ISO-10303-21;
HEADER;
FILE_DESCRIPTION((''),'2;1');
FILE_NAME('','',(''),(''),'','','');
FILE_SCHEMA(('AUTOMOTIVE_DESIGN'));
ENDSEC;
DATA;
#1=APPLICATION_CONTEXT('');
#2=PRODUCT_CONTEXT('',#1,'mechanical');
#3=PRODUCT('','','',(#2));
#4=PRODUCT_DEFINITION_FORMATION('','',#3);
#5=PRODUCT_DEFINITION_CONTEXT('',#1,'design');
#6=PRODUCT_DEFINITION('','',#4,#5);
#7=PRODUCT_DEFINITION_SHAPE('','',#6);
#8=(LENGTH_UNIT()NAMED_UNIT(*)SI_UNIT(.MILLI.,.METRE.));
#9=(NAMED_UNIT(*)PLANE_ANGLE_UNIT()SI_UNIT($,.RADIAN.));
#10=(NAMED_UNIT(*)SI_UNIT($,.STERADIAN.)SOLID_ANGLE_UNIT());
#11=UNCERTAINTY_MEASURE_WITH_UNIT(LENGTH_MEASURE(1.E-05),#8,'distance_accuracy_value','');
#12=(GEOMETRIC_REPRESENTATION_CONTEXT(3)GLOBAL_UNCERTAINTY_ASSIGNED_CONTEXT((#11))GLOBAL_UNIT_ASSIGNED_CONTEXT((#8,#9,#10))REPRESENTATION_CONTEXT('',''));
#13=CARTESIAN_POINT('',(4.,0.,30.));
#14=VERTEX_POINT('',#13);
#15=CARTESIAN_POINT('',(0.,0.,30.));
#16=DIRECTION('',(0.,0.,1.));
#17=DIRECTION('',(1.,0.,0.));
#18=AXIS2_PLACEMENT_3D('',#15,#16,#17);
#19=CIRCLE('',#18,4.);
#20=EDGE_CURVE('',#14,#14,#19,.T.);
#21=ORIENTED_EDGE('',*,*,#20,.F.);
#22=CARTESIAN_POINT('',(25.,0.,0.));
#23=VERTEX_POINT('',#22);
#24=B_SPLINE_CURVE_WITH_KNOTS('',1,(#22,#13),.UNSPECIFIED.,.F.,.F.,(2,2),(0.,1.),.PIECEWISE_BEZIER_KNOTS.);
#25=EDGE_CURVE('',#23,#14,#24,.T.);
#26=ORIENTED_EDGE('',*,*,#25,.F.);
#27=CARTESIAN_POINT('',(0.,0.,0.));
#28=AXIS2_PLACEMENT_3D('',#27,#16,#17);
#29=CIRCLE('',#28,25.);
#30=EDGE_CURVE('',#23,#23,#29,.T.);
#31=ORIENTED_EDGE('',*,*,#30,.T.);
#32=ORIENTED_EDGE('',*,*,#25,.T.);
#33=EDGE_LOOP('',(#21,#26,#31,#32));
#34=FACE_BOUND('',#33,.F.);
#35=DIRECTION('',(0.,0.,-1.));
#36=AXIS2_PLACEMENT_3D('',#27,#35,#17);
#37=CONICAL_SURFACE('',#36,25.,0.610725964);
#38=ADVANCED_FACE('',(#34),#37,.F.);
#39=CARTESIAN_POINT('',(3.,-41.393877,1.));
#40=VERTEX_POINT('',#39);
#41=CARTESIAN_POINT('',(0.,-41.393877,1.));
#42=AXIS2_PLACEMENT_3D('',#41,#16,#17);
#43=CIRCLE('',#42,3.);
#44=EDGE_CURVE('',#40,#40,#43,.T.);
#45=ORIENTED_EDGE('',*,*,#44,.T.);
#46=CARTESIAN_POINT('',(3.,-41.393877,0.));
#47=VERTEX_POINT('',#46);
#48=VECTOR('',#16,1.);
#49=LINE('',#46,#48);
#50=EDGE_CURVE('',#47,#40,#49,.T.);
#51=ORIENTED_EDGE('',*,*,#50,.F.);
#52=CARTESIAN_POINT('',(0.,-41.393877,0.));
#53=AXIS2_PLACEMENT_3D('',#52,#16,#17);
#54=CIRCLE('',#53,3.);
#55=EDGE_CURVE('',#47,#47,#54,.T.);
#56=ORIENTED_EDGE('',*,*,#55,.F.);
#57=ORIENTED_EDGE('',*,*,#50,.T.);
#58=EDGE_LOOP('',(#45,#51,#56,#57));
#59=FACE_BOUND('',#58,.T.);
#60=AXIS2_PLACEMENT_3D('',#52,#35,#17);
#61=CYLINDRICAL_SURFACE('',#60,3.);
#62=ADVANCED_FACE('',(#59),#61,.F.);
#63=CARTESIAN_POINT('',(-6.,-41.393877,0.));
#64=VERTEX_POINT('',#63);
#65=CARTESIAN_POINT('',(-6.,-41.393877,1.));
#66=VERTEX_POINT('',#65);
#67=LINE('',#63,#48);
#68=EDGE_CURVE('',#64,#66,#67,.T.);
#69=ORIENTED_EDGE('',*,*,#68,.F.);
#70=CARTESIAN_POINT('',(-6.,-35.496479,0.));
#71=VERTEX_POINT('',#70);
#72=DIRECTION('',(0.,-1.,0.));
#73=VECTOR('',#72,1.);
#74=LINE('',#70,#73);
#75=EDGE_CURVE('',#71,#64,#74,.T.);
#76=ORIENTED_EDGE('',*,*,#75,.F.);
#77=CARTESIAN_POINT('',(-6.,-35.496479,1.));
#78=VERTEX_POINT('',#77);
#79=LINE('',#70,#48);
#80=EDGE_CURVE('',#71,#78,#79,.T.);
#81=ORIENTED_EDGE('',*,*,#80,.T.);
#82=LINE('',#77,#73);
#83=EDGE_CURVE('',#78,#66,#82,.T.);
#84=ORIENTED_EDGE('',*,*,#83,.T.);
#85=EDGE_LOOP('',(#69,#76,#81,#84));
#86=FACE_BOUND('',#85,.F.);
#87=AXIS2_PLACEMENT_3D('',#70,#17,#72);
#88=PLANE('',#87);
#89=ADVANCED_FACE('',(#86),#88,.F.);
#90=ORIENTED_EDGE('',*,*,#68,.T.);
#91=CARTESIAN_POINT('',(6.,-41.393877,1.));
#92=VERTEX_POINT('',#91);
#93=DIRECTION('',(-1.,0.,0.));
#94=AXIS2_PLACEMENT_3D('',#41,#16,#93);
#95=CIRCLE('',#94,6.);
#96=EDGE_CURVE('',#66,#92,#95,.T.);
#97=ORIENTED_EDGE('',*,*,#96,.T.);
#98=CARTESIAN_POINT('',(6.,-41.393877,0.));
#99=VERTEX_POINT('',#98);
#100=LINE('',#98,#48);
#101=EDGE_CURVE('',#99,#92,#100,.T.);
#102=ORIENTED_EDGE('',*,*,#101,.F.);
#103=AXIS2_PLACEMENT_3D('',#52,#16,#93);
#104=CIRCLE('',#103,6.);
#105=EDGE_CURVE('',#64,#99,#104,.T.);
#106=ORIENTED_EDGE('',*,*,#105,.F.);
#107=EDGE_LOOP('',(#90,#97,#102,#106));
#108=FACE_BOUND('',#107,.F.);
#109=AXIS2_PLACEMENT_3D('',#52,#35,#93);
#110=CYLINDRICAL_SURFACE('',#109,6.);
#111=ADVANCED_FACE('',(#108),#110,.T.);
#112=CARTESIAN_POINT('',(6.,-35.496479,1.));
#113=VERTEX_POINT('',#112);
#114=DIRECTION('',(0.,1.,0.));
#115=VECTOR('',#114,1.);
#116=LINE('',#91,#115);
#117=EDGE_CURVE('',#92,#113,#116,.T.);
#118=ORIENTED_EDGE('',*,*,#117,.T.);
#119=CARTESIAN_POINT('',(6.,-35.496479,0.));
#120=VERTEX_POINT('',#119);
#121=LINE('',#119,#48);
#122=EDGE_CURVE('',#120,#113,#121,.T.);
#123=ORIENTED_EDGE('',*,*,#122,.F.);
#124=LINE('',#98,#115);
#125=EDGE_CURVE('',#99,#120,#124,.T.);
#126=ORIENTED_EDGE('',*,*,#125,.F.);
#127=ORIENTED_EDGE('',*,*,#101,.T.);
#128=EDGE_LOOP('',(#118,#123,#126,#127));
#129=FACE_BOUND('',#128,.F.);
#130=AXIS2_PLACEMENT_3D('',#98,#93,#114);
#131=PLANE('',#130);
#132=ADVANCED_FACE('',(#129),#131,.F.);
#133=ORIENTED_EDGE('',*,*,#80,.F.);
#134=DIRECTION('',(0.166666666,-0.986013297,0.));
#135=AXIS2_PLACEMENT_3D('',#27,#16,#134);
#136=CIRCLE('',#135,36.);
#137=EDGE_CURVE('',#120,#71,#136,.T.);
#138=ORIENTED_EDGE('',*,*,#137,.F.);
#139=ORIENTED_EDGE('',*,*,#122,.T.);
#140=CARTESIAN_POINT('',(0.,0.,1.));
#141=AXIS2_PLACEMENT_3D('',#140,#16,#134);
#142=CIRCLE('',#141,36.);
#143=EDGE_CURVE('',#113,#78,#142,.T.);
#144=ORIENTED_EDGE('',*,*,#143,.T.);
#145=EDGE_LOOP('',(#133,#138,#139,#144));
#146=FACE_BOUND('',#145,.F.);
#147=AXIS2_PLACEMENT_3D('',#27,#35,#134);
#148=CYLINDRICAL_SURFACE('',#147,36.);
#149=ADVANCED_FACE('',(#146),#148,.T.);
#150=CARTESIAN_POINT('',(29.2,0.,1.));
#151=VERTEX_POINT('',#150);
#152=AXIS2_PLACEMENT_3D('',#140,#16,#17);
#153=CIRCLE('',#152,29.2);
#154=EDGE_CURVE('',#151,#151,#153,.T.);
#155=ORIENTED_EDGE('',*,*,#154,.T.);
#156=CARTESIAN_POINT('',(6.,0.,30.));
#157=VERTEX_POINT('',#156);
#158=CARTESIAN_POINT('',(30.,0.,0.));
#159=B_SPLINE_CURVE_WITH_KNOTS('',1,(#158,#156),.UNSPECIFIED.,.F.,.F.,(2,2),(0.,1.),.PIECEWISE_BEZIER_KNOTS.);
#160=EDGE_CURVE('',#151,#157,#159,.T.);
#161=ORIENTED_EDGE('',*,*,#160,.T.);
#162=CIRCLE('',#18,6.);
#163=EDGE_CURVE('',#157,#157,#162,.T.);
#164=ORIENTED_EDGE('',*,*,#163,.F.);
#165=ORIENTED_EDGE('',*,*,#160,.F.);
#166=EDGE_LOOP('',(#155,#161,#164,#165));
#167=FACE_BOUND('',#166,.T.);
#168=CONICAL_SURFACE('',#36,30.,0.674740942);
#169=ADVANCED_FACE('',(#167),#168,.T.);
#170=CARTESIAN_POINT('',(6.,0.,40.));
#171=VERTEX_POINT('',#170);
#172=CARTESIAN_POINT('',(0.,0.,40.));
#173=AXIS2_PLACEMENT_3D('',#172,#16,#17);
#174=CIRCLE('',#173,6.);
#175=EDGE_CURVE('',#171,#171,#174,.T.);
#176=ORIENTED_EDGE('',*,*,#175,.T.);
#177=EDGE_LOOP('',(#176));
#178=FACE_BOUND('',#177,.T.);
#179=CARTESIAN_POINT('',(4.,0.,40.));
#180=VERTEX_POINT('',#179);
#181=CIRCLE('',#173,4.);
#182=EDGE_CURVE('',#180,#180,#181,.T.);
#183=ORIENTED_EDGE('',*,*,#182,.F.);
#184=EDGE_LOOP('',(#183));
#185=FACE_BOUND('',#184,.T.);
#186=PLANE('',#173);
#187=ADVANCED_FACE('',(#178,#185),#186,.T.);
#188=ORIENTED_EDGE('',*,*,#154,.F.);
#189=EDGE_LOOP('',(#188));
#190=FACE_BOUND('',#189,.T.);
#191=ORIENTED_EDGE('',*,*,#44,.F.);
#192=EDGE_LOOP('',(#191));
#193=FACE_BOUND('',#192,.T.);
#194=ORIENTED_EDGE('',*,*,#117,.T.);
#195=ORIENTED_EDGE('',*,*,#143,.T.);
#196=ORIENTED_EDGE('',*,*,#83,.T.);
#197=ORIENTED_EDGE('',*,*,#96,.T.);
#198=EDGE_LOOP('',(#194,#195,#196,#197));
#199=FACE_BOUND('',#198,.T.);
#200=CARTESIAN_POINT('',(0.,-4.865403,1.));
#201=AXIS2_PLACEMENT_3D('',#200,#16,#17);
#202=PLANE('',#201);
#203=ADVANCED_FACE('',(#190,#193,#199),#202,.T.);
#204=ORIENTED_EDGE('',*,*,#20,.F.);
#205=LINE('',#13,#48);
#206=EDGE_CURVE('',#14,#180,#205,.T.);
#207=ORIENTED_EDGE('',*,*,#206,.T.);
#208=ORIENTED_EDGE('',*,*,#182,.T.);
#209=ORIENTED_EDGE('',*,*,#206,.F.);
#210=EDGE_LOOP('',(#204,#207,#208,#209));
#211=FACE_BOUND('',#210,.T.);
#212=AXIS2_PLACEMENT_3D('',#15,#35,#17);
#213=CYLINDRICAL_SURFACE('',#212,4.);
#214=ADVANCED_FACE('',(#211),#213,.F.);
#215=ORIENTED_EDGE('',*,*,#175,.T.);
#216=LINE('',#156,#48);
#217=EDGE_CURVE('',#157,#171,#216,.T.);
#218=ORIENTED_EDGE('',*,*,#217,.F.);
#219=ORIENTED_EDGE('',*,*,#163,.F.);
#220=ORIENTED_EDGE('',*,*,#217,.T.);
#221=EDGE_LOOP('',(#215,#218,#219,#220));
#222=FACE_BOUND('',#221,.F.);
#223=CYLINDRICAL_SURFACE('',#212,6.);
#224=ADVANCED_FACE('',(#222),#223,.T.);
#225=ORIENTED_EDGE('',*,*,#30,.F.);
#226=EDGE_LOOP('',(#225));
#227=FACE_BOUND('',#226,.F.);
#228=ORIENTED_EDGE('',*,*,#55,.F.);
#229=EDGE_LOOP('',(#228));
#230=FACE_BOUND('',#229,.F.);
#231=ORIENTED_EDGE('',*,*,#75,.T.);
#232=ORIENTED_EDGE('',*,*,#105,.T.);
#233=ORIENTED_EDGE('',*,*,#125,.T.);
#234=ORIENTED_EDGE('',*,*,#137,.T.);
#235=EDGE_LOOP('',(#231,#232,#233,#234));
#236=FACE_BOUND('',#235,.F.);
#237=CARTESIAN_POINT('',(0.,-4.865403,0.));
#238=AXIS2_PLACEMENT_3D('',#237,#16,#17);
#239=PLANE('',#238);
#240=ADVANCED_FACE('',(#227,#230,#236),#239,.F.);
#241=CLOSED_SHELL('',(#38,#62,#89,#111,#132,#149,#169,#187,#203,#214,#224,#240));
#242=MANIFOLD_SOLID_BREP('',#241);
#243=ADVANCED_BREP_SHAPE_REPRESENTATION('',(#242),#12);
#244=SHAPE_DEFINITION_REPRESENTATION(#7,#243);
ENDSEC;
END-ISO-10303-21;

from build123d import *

# Parameters (mm, degrees)
F0_R      = 30
F2_R      = 6
F4_R      = 25
F5_R      = 4
F7_R      = 6
F7_R_2    = 4
F8_DEPTH  = 10
F9_R      = 3
F9_R_2    = 27
F10_DEPTH = 1


with BuildPart() as f3:
    # F0 (on Top) → F3 section 0
    with BuildSketch(Plane.XY):
        Circle(F0_R)
    # F2 (on offset) → F3 section 1
    with BuildSketch(Plane.XY.offset(30)):
        Circle(F2_R)
    loft()

    # F4 (on Top) → F6 section 0
    with BuildSketch(Plane.XY):
        Circle(F4_R)
    # F5 (on offset) → F6 section 1
    with BuildSketch(Plane.XY.offset(30)):
        Circle(F5_R)
    loft(mode=Mode.SUBTRACT)

    # F7 (on face) → F8 (join)
    with BuildSketch(Plane.XY.offset(30)):
        Circle(F7_R)
        Circle(F7_R_2, mode=Mode.SUBTRACT)
    extrude(amount=F8_DEPTH)

    # F9 (on Top) → F10 (join)
    with BuildSketch(Plane.XY):
        with BuildLine():
            ThreePointArc((6, -35.496479), (0, 36), (-6, -35.496479))
            Line((-6, -35.496479), (-6, -41.393877))
            ThreePointArc((-6, -41.393877), (0, -47.393877), (6, -41.393877))
            Line((6, -41.393877), (6, -35.496479))
        make_face()
        with Locations((0, -41.393877)):
            Circle(F9_R, mode=Mode.SUBTRACT)
        Circle(F9_R_2, mode=Mode.SUBTRACT)
    extrude(amount=F10_DEPTH)


solid = f3.part
